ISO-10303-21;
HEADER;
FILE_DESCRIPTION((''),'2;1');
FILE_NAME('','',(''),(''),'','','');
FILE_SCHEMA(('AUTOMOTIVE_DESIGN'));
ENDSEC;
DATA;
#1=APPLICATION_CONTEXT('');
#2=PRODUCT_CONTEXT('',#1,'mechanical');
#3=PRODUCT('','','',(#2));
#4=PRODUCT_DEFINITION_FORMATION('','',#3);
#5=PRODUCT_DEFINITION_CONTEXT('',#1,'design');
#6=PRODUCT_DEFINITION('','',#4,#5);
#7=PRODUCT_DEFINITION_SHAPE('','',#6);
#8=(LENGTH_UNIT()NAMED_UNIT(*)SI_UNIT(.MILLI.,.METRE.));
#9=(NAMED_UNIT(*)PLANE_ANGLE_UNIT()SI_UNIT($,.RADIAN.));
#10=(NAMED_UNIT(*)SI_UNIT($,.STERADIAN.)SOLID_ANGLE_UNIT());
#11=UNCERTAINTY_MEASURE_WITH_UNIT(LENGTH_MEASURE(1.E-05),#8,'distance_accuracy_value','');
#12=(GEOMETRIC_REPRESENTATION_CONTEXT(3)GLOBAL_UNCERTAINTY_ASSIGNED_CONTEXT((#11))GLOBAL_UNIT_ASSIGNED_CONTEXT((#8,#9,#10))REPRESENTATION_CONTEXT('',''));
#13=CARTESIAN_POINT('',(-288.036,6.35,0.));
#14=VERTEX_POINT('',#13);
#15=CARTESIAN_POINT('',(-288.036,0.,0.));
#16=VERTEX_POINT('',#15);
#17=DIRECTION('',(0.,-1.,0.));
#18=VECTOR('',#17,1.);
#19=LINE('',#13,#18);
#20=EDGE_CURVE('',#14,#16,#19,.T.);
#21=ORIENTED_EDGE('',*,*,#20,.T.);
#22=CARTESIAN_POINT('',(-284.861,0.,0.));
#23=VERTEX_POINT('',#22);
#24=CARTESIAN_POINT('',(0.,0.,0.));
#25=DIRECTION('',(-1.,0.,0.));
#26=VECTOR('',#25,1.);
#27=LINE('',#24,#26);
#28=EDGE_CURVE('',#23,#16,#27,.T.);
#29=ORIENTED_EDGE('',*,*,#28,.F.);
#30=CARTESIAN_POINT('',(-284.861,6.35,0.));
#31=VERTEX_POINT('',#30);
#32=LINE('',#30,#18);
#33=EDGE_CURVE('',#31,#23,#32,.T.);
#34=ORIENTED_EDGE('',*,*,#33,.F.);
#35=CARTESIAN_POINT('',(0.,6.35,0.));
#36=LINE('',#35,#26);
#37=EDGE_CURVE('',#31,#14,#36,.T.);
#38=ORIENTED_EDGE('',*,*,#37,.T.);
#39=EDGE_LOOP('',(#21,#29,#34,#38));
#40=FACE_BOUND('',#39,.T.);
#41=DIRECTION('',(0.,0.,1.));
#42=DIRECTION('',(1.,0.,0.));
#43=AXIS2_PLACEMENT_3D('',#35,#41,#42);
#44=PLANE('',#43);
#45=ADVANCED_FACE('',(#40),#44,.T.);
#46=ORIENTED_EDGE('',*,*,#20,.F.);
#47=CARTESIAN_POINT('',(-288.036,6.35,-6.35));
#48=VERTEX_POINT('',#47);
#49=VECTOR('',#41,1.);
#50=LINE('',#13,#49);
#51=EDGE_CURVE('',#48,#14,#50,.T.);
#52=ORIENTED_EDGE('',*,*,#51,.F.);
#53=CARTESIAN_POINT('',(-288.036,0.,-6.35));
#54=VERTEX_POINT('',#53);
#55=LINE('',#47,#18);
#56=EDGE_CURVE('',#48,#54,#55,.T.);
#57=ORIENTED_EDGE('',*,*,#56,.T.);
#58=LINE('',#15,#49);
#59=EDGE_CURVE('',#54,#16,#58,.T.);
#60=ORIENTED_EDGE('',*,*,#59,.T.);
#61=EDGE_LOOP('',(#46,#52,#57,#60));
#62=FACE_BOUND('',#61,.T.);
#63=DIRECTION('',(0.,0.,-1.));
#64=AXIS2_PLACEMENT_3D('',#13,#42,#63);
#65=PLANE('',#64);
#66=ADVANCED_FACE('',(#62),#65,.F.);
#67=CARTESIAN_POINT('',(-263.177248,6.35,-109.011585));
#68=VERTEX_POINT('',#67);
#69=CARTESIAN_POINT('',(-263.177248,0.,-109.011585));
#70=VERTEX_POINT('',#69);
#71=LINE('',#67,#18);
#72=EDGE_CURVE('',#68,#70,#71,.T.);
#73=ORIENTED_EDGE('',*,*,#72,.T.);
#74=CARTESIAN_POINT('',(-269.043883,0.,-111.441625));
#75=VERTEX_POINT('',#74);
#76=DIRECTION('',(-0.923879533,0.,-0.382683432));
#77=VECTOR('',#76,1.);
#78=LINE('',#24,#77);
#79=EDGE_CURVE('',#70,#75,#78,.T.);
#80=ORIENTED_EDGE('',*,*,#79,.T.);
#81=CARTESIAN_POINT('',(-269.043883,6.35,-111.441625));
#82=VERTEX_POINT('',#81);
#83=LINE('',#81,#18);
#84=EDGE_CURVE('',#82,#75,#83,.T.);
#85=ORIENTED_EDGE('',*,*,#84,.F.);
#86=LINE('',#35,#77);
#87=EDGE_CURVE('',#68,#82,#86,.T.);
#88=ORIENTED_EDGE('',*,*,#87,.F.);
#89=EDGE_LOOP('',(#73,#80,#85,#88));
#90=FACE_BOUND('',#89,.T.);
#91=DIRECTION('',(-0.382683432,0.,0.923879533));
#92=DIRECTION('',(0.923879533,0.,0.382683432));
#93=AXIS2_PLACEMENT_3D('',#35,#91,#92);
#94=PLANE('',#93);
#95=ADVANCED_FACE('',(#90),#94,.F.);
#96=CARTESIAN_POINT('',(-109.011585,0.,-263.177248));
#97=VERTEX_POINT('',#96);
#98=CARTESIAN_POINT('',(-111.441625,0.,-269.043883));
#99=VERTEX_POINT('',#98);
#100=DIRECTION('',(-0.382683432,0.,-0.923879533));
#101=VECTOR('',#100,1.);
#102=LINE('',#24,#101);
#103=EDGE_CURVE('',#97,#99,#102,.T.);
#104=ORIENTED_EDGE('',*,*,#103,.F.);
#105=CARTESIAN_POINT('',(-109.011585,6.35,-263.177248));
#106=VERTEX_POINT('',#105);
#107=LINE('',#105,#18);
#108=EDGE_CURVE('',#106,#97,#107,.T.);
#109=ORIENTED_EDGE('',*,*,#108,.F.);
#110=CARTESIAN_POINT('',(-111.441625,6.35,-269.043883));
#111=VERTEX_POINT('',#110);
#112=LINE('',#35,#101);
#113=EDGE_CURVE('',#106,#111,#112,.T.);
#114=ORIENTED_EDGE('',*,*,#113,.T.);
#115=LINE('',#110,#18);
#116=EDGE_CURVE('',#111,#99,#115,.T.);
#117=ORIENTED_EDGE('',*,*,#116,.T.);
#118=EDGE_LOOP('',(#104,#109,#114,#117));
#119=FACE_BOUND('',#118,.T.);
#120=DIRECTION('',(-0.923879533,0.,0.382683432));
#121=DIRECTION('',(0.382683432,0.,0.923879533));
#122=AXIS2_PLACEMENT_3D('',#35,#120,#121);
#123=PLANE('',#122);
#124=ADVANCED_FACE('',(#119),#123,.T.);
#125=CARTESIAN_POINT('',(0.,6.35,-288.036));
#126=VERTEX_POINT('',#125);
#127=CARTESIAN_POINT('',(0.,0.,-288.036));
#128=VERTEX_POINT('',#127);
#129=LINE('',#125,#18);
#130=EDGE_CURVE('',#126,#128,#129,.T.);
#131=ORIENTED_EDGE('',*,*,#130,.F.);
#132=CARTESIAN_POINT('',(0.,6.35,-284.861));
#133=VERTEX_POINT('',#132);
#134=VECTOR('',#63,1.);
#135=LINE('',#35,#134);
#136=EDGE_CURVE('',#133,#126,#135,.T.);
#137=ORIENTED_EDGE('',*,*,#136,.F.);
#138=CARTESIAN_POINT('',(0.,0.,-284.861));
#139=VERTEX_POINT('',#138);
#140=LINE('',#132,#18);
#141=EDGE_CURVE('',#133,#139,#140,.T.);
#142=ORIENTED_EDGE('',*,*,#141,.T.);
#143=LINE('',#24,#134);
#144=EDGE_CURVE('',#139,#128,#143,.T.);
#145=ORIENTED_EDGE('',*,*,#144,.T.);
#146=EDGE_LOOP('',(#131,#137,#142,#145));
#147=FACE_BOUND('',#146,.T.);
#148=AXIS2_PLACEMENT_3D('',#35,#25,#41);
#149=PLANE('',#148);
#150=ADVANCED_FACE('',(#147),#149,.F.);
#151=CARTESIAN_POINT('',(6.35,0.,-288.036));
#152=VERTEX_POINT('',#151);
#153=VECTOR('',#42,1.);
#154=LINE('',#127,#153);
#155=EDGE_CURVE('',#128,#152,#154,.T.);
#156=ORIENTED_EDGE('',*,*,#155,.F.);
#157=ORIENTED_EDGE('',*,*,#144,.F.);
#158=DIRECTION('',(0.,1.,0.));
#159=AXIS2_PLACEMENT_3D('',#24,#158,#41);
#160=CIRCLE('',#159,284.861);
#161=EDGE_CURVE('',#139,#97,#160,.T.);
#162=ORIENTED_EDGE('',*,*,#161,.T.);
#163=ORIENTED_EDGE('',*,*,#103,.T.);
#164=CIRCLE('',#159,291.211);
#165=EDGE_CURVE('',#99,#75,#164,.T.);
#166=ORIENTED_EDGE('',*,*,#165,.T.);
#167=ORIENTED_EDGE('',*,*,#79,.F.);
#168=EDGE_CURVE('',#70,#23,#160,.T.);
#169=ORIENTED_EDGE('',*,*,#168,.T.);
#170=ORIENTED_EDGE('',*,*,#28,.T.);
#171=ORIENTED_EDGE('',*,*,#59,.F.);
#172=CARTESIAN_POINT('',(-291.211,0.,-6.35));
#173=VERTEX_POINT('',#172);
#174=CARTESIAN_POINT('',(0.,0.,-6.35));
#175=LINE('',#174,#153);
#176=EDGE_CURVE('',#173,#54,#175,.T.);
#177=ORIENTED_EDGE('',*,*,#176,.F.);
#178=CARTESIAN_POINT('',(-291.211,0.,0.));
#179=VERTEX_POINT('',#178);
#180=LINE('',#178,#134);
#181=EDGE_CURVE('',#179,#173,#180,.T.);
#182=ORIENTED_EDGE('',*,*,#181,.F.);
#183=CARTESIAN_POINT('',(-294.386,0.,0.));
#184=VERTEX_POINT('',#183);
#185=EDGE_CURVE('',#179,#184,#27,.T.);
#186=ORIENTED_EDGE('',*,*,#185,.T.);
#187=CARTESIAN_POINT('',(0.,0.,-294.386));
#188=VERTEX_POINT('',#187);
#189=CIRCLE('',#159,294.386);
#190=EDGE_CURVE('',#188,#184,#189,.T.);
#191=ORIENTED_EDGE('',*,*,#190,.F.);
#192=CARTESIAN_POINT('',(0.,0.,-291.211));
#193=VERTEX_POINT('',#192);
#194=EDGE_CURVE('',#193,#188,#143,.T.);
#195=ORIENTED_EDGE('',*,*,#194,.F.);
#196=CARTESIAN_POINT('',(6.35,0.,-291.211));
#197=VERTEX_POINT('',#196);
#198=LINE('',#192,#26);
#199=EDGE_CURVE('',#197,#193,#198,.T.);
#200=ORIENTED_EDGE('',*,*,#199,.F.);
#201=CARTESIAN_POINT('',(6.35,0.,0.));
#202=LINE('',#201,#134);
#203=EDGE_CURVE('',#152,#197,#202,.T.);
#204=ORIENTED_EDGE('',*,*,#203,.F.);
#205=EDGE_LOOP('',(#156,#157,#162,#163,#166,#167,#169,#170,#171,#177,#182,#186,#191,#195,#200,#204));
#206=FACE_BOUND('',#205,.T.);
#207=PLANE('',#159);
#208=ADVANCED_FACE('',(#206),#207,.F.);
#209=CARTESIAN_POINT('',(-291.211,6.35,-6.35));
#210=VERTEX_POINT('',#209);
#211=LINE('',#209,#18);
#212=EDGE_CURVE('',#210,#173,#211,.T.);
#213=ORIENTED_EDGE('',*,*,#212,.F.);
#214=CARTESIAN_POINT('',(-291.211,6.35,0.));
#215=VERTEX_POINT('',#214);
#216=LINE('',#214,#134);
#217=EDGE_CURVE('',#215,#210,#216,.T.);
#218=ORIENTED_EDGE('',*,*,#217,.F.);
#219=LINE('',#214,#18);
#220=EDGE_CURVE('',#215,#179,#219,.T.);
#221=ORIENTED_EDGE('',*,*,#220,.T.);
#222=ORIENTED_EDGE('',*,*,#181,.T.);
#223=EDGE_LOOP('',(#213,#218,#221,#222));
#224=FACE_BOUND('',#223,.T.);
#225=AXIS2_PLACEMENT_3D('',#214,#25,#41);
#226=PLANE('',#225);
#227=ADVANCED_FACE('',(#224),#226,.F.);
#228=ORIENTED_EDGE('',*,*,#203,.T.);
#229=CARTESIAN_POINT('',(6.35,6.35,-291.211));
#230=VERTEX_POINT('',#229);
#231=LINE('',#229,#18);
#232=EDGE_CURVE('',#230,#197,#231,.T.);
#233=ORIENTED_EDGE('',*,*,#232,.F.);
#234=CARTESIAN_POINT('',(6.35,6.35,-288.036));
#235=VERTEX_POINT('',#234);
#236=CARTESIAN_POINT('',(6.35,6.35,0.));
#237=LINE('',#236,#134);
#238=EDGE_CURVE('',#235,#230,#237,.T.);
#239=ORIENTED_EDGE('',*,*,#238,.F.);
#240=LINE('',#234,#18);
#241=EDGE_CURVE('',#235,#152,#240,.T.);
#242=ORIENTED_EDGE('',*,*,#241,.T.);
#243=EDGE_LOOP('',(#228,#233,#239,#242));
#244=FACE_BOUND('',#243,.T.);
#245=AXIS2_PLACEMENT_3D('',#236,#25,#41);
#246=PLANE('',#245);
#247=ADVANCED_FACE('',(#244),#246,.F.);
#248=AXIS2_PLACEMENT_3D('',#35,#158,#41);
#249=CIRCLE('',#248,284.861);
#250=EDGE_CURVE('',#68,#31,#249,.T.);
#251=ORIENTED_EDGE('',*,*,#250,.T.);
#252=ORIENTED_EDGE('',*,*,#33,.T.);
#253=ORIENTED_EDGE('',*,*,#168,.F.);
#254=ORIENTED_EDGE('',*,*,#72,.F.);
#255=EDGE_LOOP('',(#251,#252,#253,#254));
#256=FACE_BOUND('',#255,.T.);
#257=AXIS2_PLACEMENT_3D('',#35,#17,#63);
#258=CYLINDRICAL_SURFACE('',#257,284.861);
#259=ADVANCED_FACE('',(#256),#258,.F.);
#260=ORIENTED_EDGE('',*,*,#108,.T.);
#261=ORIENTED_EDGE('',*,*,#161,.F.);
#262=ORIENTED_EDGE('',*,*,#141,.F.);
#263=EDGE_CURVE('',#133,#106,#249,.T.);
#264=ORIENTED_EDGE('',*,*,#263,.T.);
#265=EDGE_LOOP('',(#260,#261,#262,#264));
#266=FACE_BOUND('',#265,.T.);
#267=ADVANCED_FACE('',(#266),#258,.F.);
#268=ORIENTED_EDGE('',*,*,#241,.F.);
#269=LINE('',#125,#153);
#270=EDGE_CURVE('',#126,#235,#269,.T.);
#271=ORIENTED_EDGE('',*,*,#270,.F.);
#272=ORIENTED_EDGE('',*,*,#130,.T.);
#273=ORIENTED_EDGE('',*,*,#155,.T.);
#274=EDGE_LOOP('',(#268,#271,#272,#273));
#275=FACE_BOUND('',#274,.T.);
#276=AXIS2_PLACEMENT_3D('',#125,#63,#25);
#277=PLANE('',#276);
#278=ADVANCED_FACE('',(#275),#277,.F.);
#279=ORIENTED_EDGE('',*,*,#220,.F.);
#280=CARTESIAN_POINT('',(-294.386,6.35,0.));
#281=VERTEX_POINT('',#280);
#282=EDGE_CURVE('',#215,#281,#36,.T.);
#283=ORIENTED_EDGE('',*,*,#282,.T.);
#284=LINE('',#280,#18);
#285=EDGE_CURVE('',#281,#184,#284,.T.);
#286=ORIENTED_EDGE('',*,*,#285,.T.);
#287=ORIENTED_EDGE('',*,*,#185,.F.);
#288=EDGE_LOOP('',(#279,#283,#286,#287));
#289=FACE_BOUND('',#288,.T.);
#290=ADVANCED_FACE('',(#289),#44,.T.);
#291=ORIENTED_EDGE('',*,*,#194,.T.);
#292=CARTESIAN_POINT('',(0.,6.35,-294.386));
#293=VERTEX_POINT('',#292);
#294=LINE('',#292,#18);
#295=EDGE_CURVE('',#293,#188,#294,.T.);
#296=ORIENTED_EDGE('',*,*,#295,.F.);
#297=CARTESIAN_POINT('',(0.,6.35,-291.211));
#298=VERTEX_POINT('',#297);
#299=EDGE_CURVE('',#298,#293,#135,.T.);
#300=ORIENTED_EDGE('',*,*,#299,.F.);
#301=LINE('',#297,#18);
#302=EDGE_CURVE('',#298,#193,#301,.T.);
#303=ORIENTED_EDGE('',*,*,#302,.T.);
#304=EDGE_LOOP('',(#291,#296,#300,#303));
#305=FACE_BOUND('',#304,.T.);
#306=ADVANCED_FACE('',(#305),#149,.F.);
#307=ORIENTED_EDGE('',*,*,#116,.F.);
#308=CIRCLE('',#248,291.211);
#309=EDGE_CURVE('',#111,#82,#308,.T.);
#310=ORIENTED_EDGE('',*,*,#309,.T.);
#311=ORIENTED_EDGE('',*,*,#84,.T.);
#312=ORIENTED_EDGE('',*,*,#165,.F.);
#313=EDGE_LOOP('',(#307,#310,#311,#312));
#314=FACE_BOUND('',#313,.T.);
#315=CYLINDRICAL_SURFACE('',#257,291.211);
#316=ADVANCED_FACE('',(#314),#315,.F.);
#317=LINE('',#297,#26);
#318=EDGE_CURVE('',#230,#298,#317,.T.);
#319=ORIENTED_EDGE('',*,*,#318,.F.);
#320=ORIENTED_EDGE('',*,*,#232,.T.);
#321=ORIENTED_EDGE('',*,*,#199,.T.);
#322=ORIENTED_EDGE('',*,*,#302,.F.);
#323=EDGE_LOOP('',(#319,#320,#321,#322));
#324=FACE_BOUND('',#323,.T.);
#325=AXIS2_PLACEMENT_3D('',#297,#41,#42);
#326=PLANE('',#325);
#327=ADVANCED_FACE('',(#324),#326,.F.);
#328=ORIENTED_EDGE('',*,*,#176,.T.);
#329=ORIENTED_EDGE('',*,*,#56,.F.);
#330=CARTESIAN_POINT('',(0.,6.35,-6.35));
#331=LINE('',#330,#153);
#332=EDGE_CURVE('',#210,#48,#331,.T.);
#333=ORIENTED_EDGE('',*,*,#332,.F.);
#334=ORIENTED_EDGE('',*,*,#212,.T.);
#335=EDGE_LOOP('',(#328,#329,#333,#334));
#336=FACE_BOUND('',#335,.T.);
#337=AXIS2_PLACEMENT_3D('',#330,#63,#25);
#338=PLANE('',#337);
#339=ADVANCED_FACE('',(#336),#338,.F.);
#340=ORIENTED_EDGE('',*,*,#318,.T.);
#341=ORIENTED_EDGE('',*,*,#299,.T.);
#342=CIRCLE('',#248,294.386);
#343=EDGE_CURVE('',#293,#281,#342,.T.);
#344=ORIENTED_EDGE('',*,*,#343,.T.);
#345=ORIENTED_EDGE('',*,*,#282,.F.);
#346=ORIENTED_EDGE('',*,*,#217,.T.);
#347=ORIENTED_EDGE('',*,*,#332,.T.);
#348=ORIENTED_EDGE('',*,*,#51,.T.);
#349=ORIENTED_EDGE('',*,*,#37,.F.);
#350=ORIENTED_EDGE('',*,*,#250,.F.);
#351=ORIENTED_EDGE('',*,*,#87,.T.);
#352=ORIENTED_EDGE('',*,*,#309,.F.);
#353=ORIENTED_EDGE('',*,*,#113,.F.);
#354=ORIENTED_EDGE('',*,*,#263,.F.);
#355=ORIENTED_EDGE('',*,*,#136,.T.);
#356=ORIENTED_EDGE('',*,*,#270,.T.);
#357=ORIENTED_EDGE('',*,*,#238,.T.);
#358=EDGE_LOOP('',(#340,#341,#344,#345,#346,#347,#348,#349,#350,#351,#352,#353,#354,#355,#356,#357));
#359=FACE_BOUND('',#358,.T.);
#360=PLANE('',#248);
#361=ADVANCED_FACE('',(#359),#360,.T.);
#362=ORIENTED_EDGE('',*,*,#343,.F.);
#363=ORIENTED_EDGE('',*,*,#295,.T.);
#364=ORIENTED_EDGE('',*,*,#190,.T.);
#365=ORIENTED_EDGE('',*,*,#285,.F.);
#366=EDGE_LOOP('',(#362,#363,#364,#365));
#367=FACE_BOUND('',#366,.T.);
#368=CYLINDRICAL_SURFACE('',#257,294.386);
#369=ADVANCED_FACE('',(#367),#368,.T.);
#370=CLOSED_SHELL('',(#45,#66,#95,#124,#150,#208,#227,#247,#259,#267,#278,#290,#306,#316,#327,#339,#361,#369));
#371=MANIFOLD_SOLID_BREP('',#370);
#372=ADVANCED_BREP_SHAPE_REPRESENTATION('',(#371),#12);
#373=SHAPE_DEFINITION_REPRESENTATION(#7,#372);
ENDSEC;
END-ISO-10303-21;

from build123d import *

# Parameters (mm, degrees)
BOSS_EXTRUDE1_DEPTH = 6.35


with BuildPart() as part:
    # Sketch1 → Boss-Extrude1 (new body)
    with BuildSketch(Plane(origin=(0, 0, 0), x_dir=(1, 0, 0), z_dir=(0, 1, 0))):
        with BuildLine():
            ThreePointArc((-109.011585227, 263.177247511), (-55.57362422, 279.387475761), (0, 284.861))
            Line((0, 284.861), (0, 288.036))
            Line((0, 288.036), (6.35, 288.036))
            Line((6.35, 288.036), (6.35, 291.211))
            Line((6.35, 291.211), (0, 291.211))
            Line((0, 291.211), (0, 294.386))
            ThreePointArc((0, 294.386), (-57.431859537, 288.729455557), (-112.65664492, 271.977200058))
            Line((-112.65664492, 271.977200058), (-111.441625022, 269.043882542))
            Line((-111.441625022, 269.043882542), (-109.011585227, 263.177247511))
        make_face()
        with BuildLine():
            ThreePointArc((-269.043882542, 111.441625022), (-205.917272856, 205.917272856), (-111.441625022, 269.043882542))
            Line((-111.441625022, 269.043882542), (-112.65664492, 271.977200058))
            ThreePointArc((-112.65664492, 271.977200058), (-208.162336886, 208.162336886), (-271.977200058, 112.65664492))
            Line((-271.977200058, 112.65664492), (-269.043882542, 111.441625022))
        make_face()
        with BuildLine():
            Line((-263.177247511, 109.011585227), (-269.043882542, 111.441625022))
            Line((-269.043882542, 111.441625022), (-271.977200058, 112.65664492))
            ThreePointArc((-271.977200058, 112.65664492), (-288.729455557, 57.431859537), (-294.386, 0))
            Line((-294.386, 0), (-291.211, 0))
            Line((-291.211, 0), (-291.211, 6.35))
            Line((-291.211, 6.35), (-288.036, 6.35))
            Line((-288.036, 6.35), (-288.036, 0))
            Line((-288.036, 0), (-284.861, 0))
            ThreePointArc((-284.861, 0), (-279.387475761, 55.57362422), (-263.177247511, 109.011585227))
        make_face()
    extrude(amount=BOSS_EXTRUDE1_DEPTH)


solid = part.part
